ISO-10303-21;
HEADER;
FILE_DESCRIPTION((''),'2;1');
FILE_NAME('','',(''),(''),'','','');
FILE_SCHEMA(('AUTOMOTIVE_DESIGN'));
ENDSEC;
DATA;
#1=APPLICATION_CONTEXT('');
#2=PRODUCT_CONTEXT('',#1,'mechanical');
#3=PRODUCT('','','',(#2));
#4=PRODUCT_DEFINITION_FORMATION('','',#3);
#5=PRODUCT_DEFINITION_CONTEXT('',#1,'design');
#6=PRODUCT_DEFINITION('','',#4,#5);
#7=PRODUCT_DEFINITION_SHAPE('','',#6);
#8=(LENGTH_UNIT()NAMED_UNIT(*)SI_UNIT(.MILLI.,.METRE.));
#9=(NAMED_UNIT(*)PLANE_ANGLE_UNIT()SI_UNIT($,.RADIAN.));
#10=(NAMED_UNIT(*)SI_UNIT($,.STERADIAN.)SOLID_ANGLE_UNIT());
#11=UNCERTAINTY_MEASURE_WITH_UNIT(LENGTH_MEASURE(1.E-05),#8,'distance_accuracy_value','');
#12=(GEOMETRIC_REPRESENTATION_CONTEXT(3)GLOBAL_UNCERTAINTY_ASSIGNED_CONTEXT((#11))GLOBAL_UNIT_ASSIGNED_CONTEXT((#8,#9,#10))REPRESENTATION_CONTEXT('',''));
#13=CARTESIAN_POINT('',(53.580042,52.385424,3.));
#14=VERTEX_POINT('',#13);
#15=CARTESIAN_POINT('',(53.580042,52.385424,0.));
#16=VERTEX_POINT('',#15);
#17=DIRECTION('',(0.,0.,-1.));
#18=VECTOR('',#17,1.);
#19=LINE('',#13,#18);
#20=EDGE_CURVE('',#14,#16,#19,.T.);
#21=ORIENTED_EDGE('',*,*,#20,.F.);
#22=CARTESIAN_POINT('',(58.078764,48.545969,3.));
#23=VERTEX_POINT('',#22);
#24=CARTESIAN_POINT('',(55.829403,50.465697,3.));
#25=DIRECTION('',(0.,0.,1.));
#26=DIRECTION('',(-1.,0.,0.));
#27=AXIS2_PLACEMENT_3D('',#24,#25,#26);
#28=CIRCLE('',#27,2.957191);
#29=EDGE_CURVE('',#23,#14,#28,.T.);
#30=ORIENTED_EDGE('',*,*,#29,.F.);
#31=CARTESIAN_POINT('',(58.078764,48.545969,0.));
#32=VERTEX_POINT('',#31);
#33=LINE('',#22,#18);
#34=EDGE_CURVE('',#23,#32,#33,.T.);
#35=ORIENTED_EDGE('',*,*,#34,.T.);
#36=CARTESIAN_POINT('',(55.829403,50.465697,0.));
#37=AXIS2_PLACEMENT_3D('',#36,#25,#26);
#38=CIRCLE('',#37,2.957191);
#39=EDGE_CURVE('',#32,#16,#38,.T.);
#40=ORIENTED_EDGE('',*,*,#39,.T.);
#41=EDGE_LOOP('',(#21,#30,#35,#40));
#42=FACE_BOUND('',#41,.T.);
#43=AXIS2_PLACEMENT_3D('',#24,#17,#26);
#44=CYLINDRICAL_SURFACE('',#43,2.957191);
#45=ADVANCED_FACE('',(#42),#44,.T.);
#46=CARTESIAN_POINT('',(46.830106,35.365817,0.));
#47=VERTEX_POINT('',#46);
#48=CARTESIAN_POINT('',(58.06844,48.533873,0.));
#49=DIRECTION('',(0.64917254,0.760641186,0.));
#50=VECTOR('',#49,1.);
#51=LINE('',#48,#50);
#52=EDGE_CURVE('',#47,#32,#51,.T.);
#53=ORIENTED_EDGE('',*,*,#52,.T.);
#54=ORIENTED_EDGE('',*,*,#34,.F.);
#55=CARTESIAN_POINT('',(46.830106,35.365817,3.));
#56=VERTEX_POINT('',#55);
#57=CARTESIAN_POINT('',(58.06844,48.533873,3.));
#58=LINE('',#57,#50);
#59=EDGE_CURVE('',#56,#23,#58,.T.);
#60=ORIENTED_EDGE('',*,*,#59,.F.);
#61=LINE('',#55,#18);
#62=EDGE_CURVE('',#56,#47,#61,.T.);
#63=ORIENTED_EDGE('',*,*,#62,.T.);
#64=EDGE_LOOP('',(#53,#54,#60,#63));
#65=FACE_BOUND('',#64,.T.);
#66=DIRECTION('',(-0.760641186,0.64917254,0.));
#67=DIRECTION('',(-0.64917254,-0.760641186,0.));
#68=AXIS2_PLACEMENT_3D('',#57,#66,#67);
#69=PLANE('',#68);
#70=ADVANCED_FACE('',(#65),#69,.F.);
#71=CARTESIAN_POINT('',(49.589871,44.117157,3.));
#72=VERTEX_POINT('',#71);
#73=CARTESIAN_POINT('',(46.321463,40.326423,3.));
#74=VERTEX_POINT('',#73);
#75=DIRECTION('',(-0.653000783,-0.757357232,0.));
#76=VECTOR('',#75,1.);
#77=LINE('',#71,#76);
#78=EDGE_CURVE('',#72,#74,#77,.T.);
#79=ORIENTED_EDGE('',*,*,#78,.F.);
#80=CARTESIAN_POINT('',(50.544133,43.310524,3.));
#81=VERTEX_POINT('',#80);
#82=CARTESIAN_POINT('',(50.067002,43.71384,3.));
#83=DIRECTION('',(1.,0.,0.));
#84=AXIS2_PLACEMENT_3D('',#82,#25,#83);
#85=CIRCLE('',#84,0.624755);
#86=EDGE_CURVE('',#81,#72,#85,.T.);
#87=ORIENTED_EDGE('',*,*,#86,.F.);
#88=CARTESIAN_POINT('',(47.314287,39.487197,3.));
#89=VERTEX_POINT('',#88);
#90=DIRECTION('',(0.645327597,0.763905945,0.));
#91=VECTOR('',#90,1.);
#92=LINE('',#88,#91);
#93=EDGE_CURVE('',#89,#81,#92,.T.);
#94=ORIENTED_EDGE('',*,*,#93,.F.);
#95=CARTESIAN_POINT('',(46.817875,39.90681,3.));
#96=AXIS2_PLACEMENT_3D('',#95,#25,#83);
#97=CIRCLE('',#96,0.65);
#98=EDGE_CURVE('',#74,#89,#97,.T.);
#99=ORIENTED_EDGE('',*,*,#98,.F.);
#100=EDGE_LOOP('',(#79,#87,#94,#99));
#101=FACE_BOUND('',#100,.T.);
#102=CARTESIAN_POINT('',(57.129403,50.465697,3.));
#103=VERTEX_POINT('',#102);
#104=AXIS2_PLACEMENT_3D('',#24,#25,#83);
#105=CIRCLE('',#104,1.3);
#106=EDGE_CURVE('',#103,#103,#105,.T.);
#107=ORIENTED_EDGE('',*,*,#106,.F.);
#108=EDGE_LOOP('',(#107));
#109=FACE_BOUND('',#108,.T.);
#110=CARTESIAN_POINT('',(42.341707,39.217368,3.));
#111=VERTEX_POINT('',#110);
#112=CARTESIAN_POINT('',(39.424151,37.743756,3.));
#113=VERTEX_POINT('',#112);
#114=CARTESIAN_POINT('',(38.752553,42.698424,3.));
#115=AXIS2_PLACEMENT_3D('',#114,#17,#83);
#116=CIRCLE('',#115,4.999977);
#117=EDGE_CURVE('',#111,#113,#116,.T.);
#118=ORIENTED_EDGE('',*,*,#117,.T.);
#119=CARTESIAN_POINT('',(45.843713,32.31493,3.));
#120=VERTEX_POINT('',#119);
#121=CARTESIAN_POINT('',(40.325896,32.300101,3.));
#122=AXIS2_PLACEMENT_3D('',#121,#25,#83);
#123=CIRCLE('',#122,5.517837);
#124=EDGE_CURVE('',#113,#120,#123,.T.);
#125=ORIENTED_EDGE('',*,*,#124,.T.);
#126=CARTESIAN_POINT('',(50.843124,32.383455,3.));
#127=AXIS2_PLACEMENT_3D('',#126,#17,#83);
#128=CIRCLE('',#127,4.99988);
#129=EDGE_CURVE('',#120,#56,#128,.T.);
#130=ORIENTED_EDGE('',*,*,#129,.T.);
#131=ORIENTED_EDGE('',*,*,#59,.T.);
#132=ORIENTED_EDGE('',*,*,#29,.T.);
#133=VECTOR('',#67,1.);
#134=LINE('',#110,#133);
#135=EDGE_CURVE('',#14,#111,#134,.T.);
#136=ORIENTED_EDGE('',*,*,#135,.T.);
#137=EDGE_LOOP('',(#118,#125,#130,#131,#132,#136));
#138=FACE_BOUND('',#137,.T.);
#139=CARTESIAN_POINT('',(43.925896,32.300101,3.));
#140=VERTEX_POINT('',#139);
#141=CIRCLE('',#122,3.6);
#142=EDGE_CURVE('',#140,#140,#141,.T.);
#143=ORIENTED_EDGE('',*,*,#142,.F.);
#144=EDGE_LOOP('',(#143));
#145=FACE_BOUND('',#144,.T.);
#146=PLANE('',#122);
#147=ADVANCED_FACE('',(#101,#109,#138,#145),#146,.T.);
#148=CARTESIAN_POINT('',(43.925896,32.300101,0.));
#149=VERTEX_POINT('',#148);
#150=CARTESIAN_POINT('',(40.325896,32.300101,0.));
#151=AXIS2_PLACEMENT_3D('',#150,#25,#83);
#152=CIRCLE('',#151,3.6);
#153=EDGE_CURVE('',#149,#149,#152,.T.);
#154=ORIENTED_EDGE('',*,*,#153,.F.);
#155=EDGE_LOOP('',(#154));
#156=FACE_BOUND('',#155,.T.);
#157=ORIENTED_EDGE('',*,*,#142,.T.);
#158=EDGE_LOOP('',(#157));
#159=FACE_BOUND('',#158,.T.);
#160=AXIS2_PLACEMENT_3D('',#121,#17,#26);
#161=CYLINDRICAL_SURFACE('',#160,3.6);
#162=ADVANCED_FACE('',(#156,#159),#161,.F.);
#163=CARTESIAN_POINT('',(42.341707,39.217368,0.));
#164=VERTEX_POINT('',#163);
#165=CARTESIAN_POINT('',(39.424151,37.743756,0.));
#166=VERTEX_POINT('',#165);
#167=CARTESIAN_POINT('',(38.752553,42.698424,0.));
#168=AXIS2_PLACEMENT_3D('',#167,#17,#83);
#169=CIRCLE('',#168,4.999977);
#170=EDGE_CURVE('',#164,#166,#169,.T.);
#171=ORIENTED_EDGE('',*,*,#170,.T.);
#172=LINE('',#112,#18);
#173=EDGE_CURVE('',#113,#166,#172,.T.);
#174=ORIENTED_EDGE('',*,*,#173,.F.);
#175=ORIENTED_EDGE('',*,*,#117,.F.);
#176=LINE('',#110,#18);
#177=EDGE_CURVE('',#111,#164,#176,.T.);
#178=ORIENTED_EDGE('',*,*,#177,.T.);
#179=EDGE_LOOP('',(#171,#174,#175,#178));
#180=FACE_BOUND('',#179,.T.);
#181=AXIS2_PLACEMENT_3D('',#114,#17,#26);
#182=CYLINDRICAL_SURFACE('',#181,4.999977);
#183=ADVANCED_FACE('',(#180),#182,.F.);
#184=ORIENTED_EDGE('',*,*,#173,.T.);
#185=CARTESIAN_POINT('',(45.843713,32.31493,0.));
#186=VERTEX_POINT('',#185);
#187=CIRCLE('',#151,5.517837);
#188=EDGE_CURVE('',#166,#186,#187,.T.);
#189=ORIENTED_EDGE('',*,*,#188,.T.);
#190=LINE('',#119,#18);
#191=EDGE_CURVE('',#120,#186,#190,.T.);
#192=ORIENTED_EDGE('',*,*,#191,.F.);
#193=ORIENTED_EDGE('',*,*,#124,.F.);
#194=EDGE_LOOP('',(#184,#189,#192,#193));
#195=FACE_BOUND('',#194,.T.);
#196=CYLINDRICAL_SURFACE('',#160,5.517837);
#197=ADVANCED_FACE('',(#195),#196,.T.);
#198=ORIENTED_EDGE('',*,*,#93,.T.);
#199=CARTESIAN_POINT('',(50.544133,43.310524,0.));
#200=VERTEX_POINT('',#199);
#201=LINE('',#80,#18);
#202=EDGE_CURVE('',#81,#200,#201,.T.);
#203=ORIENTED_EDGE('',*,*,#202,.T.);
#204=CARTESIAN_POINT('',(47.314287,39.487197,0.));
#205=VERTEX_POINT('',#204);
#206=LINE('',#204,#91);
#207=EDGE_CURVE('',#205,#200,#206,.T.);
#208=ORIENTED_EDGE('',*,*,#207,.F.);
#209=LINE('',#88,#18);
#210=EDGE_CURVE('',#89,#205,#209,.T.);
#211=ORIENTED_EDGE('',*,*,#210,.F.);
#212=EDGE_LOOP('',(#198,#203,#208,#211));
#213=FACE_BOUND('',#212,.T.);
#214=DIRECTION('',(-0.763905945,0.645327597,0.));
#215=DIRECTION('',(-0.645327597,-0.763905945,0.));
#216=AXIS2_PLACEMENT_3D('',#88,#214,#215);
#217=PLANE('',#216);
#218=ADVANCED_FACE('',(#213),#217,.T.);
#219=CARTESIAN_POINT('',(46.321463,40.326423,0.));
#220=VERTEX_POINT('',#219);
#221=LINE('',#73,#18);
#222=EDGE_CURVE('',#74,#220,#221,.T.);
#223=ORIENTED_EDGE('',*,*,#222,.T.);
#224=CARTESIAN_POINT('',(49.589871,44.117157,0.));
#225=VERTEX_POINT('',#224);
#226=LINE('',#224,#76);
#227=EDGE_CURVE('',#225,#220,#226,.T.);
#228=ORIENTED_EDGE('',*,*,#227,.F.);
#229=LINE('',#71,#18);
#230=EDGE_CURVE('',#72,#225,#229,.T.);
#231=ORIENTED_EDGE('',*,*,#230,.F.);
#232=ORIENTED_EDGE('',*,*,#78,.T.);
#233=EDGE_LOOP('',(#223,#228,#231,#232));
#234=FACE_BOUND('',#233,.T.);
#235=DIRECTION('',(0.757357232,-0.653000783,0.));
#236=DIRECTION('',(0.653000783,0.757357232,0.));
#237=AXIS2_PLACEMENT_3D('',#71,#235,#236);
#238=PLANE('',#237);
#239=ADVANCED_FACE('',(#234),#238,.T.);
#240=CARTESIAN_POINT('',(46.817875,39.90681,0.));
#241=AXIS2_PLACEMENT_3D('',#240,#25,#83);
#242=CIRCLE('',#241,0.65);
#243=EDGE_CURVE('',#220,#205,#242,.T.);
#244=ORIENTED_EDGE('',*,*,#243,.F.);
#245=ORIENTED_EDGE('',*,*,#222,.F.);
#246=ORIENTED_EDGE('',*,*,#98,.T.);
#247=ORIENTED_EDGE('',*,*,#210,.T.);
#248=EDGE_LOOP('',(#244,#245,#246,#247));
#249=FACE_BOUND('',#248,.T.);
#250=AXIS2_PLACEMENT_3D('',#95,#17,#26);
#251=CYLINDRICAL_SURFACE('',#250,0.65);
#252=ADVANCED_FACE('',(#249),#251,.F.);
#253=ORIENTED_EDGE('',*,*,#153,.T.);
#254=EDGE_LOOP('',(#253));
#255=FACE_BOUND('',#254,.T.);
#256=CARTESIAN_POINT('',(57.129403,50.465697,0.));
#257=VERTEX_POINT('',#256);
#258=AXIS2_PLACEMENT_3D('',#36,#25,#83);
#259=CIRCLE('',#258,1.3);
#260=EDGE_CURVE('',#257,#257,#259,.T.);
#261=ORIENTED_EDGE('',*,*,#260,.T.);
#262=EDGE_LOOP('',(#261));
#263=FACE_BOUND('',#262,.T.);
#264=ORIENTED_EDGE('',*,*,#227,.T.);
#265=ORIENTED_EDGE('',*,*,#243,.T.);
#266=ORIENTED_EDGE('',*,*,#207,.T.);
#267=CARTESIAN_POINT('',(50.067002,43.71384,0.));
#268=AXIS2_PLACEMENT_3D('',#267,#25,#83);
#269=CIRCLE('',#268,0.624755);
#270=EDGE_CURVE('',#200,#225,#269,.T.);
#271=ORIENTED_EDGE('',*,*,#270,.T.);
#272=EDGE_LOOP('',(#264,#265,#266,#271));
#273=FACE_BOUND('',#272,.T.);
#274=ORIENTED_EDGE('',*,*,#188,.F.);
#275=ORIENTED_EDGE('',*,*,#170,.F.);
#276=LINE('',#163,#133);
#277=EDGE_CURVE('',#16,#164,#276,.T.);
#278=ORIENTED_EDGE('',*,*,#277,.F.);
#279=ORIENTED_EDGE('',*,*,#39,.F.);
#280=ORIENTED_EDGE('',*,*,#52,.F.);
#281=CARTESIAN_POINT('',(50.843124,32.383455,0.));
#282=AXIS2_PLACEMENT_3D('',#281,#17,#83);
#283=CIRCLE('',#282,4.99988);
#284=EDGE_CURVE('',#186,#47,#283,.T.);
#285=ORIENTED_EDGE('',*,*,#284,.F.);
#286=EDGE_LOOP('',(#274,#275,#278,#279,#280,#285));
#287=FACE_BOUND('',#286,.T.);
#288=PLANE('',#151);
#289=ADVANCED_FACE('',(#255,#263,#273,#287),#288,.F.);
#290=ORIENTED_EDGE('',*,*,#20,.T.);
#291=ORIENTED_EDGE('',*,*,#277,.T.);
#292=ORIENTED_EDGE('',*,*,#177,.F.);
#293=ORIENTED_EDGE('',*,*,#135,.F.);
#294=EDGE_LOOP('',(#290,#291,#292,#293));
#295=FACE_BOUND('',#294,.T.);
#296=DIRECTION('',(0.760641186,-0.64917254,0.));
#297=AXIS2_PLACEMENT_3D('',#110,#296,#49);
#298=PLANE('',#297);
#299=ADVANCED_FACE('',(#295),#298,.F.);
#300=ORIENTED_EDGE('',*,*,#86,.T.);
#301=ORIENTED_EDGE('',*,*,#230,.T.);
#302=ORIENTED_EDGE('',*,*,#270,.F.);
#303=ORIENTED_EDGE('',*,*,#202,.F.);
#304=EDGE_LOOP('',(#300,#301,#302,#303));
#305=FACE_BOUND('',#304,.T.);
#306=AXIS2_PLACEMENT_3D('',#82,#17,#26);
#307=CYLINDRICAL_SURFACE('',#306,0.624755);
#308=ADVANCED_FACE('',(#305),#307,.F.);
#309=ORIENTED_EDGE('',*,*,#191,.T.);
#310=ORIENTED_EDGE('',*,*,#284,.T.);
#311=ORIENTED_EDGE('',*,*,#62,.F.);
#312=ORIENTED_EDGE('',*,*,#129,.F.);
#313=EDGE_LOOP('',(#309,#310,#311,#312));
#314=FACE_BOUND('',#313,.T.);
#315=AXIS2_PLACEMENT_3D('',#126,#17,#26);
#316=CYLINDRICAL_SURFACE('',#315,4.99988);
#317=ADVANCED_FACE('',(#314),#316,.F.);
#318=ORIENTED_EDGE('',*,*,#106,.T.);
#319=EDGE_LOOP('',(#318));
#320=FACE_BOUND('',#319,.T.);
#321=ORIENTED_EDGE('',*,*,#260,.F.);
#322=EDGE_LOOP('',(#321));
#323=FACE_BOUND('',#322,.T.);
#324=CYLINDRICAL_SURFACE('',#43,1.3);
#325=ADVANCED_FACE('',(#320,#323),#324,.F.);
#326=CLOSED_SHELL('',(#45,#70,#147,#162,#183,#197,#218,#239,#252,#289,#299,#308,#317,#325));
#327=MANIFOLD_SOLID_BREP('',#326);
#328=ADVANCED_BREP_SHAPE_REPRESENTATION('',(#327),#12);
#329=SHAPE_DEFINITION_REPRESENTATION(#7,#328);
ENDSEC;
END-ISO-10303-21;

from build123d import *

# Parameters (mm, degrees)
MODEL_R             = 3.6
MODEL_R_2           = 1.3
BOSS_EXTRUDE1_DEPTH = 3


with BuildPart() as part:
    # Model → Boss-Extrude1 (new body)
    with BuildSketch(Plane.XY):
        with BuildLine():
            Line((58.068440008, 48.533872703), (46.830105606, 35.365817257))
            ThreePointArc((46.830105606, 35.365817257), (46.085714126, 33.921588349), (45.843713156, 32.314929909))
            ThreePointArc((45.843713156, 32.314929909), (36.762881301, 28.086852553), (39.424151137, 37.743756206))
            ThreePointArc((39.424151137, 37.743756206), (41.006745997, 38.235421473), (42.341707312, 39.217368271))
            Line((42.341707312, 39.217368271), (53.580041714, 52.385423717))
            ThreePointArc((53.580041714, 52.385423717), (57.749130002, 52.715057779), (58.078764064, 48.54596949))
            Line((58.078764064, 48.54596949), (58.068440008, 48.533872703))
        make_face()
        with Locations((40.325895646, 32.300100558)):
            Circle(MODEL_R, mode=Mode.SUBTRACT)
        with Locations((55.829402889, 50.465696604)):
            Circle(MODEL_R_2, mode=Mode.SUBTRACT)
        with BuildLine():
            Line((47.314287018, 39.487196923), (50.544132712, 43.310523772))
            ThreePointArc((50.544132712, 43.310523772), (50.470318272, 44.19097138), (49.589870666, 44.117156913))
            Line((49.589870666, 44.117156913), (46.321463386, 40.326423493))
            ThreePointArc((46.321463386, 40.326423493), (46.398261906, 39.41039838), (47.314287018, 39.487196923))
        make_face(mode=Mode.SUBTRACT)
    extrude(amount=BOSS_EXTRUDE1_DEPTH)


solid = part.part
